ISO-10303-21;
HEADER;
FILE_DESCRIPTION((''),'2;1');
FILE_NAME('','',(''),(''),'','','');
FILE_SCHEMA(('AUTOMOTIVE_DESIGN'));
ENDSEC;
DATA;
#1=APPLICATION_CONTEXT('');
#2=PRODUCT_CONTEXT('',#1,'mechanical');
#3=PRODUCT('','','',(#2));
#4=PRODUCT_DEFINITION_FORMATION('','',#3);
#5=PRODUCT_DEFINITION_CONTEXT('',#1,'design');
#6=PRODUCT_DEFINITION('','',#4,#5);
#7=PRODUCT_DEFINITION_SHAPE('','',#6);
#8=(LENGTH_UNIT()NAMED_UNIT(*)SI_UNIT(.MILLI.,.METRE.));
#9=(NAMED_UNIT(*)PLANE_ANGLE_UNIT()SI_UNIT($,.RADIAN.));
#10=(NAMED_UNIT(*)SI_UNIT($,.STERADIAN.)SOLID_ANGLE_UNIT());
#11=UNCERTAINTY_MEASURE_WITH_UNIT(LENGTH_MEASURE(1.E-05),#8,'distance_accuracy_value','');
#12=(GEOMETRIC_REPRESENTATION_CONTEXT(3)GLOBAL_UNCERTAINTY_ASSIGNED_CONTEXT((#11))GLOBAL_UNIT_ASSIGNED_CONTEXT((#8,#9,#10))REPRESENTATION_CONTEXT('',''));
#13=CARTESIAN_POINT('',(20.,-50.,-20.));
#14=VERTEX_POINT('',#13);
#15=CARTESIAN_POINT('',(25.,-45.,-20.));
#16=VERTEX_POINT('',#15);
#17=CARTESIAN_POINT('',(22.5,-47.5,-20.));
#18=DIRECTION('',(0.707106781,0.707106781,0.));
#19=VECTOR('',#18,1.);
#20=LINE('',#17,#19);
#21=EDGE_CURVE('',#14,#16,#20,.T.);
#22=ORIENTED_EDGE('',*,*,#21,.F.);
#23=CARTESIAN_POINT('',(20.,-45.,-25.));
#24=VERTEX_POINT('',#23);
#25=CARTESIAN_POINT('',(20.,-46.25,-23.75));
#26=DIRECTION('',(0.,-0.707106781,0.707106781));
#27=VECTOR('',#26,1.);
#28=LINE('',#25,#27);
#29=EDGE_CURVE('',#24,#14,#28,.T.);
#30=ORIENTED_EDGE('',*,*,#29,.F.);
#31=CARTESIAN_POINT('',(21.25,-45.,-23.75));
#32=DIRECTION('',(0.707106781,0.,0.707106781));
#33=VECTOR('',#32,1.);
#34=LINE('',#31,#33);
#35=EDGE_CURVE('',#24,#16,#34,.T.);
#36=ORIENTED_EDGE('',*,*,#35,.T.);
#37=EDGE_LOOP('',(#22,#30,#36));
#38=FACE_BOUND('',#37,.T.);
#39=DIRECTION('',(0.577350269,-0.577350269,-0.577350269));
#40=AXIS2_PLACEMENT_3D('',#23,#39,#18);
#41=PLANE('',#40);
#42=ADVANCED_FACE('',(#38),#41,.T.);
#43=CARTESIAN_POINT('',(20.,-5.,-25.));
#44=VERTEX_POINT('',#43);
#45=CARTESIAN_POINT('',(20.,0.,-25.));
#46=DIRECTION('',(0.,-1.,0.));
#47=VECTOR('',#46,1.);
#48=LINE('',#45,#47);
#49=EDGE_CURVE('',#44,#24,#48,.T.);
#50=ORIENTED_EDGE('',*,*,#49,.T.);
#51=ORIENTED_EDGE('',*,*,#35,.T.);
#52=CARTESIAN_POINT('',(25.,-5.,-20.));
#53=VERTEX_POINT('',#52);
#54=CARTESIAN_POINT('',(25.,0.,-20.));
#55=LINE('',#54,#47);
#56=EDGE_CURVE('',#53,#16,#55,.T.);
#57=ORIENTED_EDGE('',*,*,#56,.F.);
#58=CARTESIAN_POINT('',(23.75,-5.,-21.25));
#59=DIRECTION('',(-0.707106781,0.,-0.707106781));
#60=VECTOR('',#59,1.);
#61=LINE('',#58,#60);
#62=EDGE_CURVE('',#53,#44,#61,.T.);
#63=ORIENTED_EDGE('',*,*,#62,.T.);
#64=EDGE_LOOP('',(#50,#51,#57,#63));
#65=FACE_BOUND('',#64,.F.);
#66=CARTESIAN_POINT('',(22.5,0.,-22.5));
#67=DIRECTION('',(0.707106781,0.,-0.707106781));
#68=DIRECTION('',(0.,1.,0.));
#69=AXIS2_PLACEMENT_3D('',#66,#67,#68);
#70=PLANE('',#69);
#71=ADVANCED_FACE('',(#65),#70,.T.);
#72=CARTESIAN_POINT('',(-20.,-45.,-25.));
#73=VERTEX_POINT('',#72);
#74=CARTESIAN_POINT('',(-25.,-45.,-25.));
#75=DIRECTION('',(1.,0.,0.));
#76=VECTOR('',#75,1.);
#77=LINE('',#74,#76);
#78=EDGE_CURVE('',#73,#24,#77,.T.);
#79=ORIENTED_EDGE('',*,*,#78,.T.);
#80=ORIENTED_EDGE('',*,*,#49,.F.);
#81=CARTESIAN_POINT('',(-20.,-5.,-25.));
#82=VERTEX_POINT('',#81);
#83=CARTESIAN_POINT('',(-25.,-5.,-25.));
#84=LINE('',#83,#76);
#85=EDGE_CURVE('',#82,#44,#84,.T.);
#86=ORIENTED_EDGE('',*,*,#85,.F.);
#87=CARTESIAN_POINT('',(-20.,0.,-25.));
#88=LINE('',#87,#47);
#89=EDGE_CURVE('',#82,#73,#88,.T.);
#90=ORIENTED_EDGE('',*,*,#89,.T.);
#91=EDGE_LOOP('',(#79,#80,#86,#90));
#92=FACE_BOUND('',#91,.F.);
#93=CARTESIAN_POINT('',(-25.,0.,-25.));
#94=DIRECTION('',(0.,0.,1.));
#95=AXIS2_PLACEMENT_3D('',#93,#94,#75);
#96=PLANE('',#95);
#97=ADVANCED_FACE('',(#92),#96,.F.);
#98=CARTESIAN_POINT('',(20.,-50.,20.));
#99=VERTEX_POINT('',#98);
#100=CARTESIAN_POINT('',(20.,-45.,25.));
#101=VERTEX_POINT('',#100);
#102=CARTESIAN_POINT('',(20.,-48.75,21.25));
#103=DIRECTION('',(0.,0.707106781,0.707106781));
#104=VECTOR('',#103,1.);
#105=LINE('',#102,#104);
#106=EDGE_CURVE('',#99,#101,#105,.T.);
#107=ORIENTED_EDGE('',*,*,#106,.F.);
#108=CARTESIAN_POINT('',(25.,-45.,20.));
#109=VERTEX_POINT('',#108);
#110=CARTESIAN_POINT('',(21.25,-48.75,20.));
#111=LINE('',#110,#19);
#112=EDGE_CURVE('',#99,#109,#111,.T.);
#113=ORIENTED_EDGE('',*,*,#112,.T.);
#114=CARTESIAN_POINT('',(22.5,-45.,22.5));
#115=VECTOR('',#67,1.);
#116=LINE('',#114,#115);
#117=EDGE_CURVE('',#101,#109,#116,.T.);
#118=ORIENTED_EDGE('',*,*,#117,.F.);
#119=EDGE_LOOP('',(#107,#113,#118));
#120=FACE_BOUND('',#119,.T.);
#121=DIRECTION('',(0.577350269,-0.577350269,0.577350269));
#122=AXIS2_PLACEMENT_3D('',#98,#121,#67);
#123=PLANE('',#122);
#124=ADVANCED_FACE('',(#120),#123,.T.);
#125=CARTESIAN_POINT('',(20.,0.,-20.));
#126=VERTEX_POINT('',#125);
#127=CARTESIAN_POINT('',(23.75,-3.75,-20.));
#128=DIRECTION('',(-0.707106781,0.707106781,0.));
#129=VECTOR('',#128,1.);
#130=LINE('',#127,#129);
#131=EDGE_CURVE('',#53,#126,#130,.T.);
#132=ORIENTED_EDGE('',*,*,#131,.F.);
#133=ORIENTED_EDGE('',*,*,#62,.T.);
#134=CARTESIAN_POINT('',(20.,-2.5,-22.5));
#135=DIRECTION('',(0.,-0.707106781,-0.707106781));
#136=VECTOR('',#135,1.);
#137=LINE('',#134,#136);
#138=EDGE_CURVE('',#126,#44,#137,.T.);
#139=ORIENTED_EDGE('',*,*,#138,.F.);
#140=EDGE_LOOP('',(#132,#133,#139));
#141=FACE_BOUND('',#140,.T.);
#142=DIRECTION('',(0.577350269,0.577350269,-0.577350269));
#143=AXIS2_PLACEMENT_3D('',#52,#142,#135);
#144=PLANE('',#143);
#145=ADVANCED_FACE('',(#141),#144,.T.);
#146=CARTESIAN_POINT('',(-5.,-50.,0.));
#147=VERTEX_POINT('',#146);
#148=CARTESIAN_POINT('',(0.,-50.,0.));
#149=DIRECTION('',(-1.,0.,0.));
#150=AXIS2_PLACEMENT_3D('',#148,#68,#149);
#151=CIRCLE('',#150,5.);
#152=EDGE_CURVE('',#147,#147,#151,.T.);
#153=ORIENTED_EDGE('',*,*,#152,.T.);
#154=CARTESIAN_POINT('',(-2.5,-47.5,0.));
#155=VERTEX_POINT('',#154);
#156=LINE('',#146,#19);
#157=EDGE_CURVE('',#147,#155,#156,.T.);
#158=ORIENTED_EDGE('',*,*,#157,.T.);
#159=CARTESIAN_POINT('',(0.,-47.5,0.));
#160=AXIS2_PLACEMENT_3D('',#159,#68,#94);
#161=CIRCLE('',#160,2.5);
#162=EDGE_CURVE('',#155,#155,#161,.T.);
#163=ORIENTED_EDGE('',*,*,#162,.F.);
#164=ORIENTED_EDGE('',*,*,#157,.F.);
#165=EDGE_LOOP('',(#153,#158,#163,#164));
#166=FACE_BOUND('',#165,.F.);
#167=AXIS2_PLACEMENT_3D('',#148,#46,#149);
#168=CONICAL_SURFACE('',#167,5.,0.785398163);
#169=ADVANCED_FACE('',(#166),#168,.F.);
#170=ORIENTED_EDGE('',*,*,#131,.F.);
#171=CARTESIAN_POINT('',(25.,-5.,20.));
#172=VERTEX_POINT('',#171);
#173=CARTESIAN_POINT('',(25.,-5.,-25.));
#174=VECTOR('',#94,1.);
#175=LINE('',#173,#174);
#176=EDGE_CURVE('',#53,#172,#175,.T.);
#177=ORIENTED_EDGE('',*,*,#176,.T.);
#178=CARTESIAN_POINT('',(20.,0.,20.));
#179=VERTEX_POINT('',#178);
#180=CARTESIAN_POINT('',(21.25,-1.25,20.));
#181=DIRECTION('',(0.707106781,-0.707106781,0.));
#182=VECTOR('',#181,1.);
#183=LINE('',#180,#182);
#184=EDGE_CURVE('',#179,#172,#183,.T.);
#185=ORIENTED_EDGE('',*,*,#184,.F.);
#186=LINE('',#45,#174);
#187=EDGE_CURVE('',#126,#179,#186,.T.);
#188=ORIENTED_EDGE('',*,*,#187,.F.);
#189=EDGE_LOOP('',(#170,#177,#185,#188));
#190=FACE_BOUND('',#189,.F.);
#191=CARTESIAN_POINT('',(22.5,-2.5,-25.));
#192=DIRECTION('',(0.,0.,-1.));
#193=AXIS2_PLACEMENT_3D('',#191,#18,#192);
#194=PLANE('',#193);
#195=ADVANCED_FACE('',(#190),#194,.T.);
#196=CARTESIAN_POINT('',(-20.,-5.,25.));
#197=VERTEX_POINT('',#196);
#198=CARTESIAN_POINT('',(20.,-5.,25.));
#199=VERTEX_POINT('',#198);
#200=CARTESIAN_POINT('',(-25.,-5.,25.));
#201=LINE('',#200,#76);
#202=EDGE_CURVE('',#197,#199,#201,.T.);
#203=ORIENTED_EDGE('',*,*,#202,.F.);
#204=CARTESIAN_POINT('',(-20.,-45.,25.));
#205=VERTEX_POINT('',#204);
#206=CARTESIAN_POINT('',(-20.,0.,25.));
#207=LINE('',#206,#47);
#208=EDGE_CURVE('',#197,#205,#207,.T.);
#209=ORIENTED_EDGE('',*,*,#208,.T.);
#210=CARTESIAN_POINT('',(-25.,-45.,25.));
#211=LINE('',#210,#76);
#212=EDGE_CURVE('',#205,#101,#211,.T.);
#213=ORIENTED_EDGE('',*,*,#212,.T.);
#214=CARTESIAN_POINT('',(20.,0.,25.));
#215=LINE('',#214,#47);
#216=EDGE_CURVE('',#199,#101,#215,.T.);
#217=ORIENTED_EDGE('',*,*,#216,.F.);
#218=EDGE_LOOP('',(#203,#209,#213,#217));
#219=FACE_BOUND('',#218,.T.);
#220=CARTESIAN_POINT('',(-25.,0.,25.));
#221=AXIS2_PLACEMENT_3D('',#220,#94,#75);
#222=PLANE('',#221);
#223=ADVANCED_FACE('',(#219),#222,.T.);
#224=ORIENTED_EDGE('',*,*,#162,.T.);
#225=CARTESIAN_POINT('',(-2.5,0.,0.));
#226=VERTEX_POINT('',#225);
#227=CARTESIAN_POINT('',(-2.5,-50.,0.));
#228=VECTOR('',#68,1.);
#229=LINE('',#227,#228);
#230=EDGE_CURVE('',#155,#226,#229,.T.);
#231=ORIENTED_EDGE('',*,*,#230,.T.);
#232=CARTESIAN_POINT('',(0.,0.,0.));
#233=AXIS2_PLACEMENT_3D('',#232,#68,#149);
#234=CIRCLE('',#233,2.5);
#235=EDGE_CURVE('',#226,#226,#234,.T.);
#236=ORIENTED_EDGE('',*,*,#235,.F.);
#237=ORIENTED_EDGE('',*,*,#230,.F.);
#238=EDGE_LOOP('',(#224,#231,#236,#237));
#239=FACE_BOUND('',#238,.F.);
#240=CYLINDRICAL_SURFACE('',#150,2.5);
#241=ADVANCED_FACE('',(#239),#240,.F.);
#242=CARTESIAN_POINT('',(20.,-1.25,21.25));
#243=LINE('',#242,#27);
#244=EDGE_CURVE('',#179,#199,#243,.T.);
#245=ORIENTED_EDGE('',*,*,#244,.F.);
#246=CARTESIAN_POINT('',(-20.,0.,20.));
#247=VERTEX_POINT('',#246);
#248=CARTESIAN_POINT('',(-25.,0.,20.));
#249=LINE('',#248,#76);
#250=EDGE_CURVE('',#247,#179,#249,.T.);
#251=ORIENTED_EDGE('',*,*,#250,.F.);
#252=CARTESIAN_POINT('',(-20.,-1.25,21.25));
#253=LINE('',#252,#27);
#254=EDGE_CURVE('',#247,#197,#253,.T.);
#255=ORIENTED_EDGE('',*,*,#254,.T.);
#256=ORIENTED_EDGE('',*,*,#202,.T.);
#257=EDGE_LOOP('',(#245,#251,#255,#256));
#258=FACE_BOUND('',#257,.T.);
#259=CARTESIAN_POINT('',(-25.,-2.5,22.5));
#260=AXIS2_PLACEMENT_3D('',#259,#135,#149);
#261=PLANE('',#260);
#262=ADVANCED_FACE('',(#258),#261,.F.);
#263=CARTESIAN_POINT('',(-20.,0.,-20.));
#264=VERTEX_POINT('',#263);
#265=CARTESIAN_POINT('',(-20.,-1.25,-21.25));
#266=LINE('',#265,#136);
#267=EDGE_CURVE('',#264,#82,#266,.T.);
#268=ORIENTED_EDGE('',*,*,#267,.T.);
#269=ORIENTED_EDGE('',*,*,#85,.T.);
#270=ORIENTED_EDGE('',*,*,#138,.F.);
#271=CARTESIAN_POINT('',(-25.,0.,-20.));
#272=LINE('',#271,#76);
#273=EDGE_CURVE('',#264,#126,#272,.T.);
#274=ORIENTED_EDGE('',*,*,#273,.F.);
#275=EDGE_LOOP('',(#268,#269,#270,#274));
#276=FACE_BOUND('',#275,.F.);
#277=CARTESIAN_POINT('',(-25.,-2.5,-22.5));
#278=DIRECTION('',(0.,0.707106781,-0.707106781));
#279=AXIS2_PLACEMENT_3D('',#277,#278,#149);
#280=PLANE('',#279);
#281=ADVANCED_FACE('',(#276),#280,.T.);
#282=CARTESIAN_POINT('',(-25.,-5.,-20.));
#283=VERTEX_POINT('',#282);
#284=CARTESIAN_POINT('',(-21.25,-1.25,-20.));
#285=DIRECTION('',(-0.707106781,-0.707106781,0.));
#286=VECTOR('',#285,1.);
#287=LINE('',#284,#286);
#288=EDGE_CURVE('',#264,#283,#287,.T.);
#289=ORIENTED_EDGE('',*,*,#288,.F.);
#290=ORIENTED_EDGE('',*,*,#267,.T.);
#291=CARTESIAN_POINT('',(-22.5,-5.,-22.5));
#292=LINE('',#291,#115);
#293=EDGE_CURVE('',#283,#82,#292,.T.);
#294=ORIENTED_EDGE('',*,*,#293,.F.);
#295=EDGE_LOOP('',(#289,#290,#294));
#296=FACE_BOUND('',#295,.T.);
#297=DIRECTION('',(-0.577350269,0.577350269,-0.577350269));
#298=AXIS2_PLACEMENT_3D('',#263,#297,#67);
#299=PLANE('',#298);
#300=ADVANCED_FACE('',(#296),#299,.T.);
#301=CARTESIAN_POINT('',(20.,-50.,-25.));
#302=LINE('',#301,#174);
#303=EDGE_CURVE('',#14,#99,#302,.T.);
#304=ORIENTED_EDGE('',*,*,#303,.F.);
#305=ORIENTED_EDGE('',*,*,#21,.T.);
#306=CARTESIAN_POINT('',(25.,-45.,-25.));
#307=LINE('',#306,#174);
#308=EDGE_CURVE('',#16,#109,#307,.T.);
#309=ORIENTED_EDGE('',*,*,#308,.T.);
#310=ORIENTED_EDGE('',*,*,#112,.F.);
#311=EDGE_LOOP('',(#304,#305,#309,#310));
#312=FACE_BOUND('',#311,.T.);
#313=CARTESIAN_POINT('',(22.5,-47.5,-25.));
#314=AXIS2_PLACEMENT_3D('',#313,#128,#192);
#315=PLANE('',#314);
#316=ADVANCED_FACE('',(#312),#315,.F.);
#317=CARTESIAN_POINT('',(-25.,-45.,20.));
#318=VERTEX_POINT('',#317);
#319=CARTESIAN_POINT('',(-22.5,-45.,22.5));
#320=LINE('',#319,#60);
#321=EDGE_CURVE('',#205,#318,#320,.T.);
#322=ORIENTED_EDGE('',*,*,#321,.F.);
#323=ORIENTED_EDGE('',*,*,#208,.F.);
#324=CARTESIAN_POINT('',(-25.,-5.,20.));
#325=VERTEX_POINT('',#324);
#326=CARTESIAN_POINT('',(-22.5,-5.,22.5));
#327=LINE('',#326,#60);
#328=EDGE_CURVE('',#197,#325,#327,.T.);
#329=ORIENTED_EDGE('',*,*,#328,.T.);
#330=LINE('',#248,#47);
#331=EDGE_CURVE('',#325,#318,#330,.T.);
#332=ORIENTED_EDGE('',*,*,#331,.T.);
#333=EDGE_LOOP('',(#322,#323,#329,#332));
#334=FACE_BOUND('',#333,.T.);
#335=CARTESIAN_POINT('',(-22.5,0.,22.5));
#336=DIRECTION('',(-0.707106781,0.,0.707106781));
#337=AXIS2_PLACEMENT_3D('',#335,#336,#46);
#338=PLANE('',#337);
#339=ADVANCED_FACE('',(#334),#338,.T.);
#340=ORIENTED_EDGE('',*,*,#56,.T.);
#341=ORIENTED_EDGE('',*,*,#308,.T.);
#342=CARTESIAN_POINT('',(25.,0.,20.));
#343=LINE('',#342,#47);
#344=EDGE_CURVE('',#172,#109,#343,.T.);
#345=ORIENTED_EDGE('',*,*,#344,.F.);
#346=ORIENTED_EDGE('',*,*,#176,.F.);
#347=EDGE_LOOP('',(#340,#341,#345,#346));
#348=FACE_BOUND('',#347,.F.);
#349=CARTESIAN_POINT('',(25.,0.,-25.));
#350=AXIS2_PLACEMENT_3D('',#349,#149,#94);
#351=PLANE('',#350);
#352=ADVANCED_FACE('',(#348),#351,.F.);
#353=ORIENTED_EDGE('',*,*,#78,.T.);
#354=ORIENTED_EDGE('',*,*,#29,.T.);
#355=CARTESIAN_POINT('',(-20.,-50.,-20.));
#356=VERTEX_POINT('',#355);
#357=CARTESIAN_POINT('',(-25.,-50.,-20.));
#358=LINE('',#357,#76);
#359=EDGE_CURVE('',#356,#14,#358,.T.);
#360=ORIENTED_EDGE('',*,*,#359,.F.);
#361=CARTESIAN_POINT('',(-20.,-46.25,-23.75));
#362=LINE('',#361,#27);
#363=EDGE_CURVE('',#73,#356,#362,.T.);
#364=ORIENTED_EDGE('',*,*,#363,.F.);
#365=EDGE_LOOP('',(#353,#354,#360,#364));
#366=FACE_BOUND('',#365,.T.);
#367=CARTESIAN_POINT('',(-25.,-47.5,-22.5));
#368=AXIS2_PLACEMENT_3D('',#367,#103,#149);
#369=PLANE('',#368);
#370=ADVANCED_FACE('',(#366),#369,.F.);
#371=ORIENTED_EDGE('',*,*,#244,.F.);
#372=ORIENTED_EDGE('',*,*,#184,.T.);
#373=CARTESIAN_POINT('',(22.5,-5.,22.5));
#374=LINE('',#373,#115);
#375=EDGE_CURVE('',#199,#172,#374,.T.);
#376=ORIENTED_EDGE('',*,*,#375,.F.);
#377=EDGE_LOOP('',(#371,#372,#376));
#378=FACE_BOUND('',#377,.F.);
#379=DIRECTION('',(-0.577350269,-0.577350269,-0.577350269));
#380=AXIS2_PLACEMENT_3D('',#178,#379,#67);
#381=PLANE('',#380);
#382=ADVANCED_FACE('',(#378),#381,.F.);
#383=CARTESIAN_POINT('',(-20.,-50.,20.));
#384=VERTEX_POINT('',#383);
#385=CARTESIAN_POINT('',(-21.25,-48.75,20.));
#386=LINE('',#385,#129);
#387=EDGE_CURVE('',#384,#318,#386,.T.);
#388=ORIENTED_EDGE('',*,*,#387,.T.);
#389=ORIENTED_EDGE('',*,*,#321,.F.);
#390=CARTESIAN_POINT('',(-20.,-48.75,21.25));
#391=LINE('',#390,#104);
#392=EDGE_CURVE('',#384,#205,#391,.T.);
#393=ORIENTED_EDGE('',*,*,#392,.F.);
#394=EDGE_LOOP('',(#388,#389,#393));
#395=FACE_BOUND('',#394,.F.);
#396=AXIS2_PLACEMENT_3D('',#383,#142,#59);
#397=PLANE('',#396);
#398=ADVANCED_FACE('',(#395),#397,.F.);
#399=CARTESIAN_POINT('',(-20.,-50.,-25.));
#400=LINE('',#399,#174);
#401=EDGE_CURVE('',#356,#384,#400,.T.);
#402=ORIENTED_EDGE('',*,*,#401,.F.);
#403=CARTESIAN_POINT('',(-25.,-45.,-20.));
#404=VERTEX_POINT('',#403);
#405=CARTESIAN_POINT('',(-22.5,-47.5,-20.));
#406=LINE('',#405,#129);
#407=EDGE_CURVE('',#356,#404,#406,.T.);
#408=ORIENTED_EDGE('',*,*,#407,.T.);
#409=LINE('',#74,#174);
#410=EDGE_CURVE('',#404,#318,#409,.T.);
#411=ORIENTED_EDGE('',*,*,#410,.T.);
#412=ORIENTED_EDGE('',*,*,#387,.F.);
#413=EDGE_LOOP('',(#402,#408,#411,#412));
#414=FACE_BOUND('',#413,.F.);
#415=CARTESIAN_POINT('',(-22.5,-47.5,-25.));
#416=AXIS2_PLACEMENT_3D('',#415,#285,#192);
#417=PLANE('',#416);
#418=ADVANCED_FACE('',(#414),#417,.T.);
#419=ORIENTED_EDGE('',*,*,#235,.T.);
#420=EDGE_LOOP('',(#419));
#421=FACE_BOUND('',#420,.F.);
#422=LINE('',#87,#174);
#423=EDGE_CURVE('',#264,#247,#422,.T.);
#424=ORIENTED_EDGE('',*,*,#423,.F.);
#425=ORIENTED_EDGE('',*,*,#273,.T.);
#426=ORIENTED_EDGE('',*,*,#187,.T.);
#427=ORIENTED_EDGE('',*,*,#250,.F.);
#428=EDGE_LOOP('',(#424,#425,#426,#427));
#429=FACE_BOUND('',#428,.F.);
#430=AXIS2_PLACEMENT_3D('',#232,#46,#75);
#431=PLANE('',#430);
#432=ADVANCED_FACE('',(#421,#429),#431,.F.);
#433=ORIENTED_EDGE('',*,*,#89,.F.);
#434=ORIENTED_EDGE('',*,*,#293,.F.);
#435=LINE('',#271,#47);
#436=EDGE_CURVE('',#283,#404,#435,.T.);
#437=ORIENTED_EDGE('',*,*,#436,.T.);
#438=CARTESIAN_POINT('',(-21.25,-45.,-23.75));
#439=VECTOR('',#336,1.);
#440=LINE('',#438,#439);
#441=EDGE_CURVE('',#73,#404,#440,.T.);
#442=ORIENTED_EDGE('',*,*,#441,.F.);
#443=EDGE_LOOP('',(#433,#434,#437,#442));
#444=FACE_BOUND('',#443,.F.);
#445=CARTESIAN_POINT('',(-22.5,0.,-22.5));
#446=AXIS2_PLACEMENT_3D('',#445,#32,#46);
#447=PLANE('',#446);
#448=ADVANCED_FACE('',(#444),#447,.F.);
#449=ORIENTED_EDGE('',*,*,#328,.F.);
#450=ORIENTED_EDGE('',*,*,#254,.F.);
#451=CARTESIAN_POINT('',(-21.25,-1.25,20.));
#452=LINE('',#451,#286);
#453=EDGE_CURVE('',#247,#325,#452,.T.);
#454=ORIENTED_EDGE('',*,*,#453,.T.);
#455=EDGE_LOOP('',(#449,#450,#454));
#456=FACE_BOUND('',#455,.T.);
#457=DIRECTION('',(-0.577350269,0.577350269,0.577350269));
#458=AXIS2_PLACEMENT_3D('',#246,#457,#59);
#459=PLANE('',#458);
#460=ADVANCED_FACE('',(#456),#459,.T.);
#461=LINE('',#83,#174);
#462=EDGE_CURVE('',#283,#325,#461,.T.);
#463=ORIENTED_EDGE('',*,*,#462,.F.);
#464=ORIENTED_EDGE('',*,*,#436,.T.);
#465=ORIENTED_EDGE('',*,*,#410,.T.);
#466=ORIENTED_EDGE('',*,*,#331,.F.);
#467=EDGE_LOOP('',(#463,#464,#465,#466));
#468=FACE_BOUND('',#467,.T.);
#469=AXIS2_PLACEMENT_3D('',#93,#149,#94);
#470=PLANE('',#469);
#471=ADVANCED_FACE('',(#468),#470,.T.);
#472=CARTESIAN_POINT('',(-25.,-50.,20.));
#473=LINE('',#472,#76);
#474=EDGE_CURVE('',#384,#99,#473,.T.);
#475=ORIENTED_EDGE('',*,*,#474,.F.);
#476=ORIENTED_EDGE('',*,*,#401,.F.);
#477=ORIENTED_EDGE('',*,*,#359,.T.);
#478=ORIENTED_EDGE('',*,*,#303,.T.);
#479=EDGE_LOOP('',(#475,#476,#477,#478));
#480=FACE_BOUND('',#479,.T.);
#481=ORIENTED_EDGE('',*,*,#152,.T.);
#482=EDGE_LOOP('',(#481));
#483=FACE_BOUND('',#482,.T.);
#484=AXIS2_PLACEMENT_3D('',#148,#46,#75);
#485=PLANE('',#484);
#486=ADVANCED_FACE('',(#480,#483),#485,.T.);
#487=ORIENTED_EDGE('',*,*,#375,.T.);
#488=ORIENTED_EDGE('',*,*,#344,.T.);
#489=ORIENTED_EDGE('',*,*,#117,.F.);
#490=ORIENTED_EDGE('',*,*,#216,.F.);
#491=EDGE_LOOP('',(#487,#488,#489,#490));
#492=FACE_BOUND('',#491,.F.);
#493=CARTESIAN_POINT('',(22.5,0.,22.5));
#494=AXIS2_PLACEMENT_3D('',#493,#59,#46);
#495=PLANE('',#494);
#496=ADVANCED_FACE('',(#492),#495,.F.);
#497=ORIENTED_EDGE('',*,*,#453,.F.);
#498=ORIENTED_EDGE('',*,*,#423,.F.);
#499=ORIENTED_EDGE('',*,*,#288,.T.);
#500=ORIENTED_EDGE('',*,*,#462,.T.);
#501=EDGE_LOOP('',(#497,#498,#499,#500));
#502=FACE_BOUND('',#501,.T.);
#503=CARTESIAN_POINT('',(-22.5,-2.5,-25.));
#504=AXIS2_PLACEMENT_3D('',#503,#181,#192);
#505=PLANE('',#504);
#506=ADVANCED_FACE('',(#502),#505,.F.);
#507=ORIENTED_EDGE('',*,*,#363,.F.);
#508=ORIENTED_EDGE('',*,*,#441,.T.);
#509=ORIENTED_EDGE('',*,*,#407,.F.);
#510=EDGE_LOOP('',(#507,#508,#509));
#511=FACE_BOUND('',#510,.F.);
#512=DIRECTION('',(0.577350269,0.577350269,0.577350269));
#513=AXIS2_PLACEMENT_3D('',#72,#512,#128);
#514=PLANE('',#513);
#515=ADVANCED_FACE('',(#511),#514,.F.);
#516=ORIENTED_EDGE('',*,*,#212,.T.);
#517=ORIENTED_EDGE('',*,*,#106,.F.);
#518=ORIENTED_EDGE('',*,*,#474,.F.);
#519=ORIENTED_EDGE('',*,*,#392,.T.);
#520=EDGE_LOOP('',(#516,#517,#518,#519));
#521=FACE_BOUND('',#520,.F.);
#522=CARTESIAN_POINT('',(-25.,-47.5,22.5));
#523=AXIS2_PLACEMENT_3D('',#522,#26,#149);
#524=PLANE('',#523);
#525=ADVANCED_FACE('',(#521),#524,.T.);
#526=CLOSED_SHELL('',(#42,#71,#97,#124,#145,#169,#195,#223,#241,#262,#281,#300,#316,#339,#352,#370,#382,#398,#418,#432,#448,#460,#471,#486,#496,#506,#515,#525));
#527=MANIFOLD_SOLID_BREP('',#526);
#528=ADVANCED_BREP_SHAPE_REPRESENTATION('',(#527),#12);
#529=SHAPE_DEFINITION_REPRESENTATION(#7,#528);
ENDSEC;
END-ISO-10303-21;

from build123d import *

# Parameters (mm, degrees)
F0_W           = 50
F0_H           = 50
F1_DEPTH       = 50
F2_SIZE        = 5
F4_D           = 5
F4_CSINK_D     = 10
F4_CSINK_ANGLE = 90


with BuildPart() as f1:
    # F0 (on Front) → F1 (new body)
    with BuildSketch(Plane.XZ):
        Rectangle(F0_W, F0_H)
    extrude(amount=F1_DEPTH)

    # F2
    f2_edges = [f1.edges().sort_by_distance(p)[0] for p in [
        (-25, -25, 25),
        (25, -25, 25),
        (0, -50, 25),
        (0, 0, 25),
        (-25, -50, 0),
        (25, -50, 0),
        (0, -50, -25),
        (-25, -25, -25),
        (-25, 0, 0),
        (0, 0, -25),
        (25, 0, 0),
        (25, -25, -25),
    ]]
    chamfer(f2_edges, length=F2_SIZE)

    # F4 (through all)
    with Locations(Plane.XZ.offset(50)):
        with Locations((0, 0)):
            CounterSinkHole(F4_D / 2, F4_CSINK_D / 2, counter_sink_angle=F4_CSINK_ANGLE)


solid = f1.part
